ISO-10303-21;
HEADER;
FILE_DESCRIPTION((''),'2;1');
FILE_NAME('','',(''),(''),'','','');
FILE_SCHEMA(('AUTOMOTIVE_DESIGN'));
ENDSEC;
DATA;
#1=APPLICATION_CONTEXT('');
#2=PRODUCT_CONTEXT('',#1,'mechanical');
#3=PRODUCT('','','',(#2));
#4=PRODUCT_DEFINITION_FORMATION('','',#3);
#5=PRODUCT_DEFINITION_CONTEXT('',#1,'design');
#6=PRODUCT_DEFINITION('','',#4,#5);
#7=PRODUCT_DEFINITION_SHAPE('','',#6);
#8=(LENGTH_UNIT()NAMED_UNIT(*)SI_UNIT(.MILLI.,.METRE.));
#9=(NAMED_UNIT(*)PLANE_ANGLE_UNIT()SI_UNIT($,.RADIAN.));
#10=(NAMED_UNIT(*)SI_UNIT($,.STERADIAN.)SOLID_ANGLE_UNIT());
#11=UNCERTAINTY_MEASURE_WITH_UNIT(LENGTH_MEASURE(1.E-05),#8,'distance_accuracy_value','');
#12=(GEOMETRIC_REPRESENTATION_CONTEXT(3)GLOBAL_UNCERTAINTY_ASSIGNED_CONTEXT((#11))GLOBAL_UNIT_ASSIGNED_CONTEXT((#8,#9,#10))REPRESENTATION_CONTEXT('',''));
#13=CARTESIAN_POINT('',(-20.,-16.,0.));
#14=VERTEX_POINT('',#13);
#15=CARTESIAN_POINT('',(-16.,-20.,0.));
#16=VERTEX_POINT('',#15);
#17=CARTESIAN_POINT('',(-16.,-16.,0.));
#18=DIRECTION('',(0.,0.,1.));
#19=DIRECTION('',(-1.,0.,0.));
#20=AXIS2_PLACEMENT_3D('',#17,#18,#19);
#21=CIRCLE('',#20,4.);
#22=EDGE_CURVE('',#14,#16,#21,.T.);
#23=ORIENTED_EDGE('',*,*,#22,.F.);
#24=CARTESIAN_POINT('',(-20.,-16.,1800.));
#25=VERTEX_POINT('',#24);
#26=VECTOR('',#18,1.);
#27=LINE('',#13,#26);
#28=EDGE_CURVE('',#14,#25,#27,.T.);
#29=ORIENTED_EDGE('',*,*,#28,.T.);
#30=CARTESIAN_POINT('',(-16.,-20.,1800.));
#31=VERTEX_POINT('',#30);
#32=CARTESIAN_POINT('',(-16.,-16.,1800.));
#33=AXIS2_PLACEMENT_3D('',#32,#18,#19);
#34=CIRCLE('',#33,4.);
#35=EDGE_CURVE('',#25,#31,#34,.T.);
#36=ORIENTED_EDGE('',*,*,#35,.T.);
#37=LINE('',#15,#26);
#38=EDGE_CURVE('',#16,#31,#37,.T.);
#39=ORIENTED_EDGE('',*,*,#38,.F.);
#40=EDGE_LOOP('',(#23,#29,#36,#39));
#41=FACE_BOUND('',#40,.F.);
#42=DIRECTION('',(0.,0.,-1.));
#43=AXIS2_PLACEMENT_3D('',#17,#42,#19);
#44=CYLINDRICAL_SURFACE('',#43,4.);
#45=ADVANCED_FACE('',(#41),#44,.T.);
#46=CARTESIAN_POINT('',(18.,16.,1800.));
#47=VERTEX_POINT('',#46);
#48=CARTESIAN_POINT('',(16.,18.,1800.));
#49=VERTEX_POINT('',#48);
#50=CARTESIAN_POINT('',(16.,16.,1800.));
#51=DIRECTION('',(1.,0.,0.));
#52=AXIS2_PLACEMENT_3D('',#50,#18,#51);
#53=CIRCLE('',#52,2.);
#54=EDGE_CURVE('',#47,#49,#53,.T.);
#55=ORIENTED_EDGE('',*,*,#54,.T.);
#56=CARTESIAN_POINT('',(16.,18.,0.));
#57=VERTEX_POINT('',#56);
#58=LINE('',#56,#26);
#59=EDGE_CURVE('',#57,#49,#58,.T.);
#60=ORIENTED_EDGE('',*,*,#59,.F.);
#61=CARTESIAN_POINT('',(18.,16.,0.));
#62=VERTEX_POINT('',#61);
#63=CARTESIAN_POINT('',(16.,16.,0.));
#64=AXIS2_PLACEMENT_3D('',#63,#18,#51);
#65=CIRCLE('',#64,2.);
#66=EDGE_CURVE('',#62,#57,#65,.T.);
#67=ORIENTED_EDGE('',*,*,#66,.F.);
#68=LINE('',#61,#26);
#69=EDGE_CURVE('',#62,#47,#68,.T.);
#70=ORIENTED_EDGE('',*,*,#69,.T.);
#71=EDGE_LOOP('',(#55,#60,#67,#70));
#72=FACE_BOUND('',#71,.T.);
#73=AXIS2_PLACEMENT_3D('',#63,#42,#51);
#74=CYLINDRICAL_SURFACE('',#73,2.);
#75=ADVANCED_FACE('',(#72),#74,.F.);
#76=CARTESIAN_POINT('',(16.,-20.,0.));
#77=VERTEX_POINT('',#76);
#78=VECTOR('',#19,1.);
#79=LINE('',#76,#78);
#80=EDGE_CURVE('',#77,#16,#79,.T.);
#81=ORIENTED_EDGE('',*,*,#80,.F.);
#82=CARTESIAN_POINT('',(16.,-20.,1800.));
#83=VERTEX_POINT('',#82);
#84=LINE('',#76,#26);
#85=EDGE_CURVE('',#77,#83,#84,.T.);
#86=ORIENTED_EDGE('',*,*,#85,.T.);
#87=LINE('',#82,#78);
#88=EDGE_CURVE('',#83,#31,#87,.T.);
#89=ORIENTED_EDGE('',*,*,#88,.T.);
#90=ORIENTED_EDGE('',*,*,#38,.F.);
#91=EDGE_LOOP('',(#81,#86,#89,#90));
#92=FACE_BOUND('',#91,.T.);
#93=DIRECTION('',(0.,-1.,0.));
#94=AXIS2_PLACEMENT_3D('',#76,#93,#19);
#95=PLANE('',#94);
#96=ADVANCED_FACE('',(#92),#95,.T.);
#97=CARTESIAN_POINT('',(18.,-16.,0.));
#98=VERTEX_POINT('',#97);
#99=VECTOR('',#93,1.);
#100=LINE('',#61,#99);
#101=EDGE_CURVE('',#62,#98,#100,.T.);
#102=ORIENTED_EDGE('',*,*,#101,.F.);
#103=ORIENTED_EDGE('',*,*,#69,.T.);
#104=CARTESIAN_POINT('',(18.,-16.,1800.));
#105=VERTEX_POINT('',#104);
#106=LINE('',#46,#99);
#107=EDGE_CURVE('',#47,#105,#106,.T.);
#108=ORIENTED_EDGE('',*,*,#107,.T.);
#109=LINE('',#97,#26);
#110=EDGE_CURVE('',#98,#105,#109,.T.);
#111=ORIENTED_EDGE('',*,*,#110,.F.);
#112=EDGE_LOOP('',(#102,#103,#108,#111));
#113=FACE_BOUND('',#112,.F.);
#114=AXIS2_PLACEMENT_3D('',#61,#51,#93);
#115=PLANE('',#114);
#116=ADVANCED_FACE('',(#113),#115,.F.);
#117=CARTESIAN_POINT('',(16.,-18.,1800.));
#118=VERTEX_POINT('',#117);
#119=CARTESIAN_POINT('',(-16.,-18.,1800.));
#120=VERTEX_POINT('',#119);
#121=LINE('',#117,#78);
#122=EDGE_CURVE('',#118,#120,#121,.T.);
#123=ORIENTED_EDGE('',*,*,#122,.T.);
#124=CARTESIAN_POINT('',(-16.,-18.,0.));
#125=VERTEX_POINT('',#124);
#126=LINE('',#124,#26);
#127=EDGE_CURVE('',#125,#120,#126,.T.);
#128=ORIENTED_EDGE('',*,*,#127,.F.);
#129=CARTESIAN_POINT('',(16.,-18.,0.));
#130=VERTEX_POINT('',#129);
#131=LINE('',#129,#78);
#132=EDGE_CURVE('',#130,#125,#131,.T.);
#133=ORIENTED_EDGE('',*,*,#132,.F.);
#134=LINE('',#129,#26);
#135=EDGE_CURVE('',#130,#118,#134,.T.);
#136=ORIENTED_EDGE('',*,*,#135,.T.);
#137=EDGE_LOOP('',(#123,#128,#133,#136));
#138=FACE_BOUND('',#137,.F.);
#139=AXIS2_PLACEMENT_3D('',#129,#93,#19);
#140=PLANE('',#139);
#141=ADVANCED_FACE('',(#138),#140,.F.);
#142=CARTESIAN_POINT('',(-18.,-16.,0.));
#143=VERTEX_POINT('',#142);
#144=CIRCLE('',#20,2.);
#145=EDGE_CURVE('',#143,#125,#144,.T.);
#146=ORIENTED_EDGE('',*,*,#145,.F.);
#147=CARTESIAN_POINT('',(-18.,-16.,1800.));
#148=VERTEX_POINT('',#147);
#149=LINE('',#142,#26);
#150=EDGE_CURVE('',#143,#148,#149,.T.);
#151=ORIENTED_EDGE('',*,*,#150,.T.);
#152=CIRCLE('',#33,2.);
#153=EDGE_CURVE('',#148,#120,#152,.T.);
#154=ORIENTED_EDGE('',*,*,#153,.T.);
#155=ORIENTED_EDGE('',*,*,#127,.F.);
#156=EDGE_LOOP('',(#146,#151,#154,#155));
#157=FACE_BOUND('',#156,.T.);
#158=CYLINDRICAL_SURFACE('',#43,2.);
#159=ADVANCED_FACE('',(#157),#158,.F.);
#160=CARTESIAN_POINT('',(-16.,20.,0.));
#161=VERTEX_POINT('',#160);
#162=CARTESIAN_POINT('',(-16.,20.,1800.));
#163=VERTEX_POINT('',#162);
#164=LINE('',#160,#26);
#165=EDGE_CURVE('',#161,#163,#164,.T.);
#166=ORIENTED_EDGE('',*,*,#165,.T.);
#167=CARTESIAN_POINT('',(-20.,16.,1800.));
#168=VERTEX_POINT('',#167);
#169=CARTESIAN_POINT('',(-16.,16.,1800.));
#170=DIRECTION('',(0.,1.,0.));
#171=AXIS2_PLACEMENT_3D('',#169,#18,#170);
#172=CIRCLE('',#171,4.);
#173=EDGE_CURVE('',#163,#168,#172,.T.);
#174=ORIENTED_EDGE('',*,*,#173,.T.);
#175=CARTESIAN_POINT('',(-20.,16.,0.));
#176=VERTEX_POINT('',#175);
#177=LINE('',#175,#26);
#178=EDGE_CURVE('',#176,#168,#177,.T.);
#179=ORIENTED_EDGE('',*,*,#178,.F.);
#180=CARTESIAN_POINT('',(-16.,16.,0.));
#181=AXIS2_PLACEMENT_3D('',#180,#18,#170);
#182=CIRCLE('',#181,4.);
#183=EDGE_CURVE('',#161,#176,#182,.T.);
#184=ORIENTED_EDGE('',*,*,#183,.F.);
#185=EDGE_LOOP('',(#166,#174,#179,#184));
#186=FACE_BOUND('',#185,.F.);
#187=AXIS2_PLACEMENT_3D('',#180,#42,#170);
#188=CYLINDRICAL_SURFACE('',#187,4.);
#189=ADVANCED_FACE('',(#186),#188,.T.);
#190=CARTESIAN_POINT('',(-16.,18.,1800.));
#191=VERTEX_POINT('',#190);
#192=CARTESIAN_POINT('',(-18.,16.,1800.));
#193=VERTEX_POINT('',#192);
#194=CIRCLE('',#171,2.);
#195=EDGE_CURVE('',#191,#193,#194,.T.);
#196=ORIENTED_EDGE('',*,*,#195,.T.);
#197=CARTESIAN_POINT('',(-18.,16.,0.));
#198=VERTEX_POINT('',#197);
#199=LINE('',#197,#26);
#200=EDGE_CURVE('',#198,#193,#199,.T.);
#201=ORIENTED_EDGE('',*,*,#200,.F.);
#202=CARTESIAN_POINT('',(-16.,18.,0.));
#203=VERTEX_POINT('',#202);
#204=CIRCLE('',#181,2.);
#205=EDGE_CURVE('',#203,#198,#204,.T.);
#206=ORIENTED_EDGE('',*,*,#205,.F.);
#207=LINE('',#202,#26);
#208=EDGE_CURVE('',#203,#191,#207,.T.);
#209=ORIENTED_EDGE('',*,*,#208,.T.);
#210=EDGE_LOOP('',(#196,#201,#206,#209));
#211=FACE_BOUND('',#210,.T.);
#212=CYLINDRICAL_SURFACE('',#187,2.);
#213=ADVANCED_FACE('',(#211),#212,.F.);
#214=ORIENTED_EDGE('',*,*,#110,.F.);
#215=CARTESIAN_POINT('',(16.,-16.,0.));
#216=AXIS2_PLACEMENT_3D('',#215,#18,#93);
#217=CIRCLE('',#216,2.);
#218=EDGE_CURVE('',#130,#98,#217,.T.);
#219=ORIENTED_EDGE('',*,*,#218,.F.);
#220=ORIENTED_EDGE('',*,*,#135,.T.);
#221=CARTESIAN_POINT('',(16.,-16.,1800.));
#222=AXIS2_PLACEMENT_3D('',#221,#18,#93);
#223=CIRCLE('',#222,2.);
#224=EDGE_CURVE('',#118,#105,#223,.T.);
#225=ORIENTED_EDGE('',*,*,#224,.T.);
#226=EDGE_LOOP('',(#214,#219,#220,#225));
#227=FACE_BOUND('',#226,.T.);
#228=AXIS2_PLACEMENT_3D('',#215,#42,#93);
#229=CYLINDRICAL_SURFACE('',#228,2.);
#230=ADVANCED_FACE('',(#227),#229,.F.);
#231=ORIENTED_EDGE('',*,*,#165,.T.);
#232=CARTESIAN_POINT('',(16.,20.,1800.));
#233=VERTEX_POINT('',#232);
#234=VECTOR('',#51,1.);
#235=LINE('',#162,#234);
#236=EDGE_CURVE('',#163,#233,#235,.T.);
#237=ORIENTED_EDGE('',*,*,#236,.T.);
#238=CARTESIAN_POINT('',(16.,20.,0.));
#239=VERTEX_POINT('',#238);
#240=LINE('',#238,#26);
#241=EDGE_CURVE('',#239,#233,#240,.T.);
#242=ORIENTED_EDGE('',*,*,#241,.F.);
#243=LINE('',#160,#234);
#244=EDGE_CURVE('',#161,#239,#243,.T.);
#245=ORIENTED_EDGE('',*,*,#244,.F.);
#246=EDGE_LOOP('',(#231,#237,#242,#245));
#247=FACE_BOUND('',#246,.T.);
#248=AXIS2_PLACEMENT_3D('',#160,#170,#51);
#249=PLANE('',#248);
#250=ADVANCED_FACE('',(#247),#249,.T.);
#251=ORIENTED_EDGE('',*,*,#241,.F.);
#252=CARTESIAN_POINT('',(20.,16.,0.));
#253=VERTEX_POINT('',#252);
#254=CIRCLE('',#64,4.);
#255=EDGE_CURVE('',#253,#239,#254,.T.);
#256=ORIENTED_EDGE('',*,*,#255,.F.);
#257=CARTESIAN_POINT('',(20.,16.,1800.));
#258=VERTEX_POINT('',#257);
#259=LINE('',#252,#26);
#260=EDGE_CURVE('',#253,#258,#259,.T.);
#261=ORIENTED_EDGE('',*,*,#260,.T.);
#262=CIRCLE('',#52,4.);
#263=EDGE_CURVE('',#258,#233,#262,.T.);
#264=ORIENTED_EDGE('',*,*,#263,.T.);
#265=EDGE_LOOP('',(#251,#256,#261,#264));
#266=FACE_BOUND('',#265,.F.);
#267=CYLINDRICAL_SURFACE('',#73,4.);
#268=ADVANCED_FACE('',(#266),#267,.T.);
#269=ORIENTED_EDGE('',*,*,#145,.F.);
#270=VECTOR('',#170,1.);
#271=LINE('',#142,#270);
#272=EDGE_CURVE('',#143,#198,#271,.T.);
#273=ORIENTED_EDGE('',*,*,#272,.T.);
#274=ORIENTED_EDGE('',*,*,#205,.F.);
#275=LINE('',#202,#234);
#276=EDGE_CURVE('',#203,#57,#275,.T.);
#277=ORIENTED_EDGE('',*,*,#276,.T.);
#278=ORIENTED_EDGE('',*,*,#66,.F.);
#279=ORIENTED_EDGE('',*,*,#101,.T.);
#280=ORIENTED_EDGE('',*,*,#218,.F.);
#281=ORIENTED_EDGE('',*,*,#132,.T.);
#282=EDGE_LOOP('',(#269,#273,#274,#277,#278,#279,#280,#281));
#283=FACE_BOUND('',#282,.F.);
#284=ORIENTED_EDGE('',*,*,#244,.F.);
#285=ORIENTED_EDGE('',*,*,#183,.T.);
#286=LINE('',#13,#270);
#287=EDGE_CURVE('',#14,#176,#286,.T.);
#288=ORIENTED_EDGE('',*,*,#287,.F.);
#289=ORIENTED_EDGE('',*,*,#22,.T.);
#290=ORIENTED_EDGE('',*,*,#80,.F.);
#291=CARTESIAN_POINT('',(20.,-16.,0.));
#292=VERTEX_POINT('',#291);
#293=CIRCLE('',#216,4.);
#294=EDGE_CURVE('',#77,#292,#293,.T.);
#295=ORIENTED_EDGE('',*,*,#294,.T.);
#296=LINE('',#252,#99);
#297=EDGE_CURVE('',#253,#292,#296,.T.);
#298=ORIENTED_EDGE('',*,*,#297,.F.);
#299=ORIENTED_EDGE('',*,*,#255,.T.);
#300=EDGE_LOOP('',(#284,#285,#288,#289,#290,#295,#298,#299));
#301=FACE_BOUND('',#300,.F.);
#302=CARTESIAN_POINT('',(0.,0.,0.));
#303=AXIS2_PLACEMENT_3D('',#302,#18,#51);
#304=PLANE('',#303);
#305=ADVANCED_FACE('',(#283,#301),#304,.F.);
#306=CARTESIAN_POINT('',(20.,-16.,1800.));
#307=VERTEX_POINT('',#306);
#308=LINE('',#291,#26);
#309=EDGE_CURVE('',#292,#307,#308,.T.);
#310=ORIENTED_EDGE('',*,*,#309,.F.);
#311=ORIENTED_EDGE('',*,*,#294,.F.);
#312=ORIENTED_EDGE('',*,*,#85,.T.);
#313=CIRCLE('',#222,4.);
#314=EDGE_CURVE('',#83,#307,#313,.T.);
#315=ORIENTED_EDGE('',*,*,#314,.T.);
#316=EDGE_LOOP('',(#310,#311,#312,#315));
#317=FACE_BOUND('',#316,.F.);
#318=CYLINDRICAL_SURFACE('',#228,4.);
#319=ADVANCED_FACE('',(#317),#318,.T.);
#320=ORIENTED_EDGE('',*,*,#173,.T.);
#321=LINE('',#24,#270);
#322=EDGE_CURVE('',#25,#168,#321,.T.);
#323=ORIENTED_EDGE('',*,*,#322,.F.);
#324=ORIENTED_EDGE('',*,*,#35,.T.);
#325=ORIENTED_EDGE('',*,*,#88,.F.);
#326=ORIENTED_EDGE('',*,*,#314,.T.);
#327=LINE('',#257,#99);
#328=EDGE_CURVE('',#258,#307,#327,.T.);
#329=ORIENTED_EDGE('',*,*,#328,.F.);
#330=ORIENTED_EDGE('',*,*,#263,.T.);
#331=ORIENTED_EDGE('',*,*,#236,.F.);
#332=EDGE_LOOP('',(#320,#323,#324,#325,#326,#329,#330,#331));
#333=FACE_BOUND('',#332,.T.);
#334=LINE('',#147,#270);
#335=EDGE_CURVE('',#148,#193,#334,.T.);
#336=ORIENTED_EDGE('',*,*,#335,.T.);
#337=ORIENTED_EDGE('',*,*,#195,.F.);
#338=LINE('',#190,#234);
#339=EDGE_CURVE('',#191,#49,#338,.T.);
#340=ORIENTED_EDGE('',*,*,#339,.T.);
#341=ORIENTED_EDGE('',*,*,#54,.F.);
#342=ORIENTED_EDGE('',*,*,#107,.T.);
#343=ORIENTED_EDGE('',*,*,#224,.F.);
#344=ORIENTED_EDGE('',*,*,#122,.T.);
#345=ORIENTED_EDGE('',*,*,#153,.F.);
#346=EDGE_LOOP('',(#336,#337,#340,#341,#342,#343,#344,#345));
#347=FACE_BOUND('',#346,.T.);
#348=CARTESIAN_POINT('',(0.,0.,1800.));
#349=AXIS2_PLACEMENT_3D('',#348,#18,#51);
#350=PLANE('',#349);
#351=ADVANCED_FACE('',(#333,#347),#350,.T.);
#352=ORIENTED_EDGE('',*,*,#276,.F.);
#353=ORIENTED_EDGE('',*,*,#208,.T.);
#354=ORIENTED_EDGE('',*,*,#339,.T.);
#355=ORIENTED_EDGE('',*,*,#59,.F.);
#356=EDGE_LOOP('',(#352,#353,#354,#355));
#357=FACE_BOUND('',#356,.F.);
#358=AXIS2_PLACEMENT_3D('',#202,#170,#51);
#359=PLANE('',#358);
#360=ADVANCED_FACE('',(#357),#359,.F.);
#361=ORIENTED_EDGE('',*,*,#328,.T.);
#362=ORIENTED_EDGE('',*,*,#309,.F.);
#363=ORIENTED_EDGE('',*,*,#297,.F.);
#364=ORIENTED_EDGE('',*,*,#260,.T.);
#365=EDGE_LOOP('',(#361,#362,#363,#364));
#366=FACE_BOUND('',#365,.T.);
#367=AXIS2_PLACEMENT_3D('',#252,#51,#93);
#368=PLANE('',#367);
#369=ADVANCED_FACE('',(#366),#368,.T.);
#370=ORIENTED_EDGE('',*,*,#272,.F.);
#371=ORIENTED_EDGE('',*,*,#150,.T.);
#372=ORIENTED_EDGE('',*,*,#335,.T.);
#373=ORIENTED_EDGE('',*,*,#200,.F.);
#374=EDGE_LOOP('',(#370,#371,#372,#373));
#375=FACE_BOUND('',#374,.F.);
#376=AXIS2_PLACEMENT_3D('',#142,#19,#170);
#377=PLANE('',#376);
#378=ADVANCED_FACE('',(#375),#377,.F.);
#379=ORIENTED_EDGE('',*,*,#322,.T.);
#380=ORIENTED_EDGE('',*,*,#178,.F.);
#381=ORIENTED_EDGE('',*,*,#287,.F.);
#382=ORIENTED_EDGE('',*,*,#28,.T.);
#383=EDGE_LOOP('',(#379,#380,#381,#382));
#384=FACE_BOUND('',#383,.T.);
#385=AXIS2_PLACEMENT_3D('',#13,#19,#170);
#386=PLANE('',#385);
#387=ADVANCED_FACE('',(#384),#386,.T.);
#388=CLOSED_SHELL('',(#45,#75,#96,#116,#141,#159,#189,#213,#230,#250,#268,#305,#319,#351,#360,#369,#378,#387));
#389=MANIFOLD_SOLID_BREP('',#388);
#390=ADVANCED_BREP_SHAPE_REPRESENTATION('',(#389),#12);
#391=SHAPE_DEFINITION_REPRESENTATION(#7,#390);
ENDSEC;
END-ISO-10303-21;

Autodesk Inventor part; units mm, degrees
ref_plane "YZ Plane" through (0, 0, 0) normal (1, 0, 0) x (0, 1, 0)
ref_plane "Start Plane" through (0, 0, 0) normal (0, 0, 1) x (1, 0, 0)
ref_plane "End Plane" through (0, 0, 1800) normal (0, 0, 1) x (1, 0, 0)
sketch "Sketch" plane through (0, 0, 0) normal (0, 0, 1) x (1, 0, 0)
  line L0 (-20, -16) -> (-20, 16)
  line L1 (-16, 20) -> (16, 20)
  line L2 (20, 16) -> (20, -16)
  line L3 (16, -20) -> (-16, -20)
  arc A0 (-20, -16) -> (-16, -20) centre (-16, -16) ccw
  arc A1 (20, 16) -> (16, 20) centre (16, 16) ccw
  arc A2 (-16, 20) -> (-20, 16) centre (-16, 16) ccw
  arc A3 (16, -20) -> (20, -16) centre (16, -16) ccw
  arc A4 (-16, 18) -> (-18, 16) centre (-16, 16) ccw
  line L4 (-16, 18) -> (16, 18)
  arc A5 (18, 16) -> (16, 18) centre (16, 16) ccw
  line L5 (18, 16) -> (18, -16)
  arc A6 (16, -18) -> (18, -16) centre (16, -16) ccw
  line L6 (16, -18) -> (-16, -18)
  arc A7 (-18, -16) -> (-16, -18) centre (-16, -16) ccw
  line L7 (-18, -16) -> (-18, 16)
  line L8 (0, 29.1598) -> (0, -29.1598) construction
  line L9 (-29.1598, 0) -> (29.1598, 0) construction
  dimension "d7" = 4
  dimension "d9" = 40
  dimension "d11" = 40
  dimension "d12" = 2
  dimension "d15" = 20
  dimension "d16" = 20
extrude "Body" add sketch "Sketch" along normal up to surface (1800 mm away) from surface at 0
sketch "Sketch3" plane through (0, 0, 0) normal (0, 0, 1) x (1, 0, 0)
  line L0 (0, 0) -> (10, 0)
ref_plane "Work Plane3" through (0, 0, 0) normal (0, -1, 0) x (1, 0, 0)
sketch "Sketch4" plane through (0, 0, 0) normal (0, -1, 0) x (1, 0, 0)
  line L0 (-2, 0) -> (12, 0) projected
  line L1 (-2, 1800) -> (12, 1800) projected
  dimension "d18" = 1800
equation "\"d7\" = G_IR"
equation "\"d9\" = G_W"
equation "\"d11\" = G_H"
equation "\"d12\" = G_T"
equation "\"d15\" = 0.5 * d9"
equation "\"d16\" = 0.5 * d11"
equation "\"d3\" = G_L"
equation "\"G_W\" = 40"
equation "\"G_H\" = 40"
equation "\"G_T\" = 2"
equation "\"G_IR\" = 4"
equation "\"G_L\" = d18"
equation "\"G_OFFSET_START\" = 0"
equation "\"G_OFFSET_END\" = 0"
properties part number "ISO 10799-2 - 40x40x2 - 1800" material "Steel, Mild"
